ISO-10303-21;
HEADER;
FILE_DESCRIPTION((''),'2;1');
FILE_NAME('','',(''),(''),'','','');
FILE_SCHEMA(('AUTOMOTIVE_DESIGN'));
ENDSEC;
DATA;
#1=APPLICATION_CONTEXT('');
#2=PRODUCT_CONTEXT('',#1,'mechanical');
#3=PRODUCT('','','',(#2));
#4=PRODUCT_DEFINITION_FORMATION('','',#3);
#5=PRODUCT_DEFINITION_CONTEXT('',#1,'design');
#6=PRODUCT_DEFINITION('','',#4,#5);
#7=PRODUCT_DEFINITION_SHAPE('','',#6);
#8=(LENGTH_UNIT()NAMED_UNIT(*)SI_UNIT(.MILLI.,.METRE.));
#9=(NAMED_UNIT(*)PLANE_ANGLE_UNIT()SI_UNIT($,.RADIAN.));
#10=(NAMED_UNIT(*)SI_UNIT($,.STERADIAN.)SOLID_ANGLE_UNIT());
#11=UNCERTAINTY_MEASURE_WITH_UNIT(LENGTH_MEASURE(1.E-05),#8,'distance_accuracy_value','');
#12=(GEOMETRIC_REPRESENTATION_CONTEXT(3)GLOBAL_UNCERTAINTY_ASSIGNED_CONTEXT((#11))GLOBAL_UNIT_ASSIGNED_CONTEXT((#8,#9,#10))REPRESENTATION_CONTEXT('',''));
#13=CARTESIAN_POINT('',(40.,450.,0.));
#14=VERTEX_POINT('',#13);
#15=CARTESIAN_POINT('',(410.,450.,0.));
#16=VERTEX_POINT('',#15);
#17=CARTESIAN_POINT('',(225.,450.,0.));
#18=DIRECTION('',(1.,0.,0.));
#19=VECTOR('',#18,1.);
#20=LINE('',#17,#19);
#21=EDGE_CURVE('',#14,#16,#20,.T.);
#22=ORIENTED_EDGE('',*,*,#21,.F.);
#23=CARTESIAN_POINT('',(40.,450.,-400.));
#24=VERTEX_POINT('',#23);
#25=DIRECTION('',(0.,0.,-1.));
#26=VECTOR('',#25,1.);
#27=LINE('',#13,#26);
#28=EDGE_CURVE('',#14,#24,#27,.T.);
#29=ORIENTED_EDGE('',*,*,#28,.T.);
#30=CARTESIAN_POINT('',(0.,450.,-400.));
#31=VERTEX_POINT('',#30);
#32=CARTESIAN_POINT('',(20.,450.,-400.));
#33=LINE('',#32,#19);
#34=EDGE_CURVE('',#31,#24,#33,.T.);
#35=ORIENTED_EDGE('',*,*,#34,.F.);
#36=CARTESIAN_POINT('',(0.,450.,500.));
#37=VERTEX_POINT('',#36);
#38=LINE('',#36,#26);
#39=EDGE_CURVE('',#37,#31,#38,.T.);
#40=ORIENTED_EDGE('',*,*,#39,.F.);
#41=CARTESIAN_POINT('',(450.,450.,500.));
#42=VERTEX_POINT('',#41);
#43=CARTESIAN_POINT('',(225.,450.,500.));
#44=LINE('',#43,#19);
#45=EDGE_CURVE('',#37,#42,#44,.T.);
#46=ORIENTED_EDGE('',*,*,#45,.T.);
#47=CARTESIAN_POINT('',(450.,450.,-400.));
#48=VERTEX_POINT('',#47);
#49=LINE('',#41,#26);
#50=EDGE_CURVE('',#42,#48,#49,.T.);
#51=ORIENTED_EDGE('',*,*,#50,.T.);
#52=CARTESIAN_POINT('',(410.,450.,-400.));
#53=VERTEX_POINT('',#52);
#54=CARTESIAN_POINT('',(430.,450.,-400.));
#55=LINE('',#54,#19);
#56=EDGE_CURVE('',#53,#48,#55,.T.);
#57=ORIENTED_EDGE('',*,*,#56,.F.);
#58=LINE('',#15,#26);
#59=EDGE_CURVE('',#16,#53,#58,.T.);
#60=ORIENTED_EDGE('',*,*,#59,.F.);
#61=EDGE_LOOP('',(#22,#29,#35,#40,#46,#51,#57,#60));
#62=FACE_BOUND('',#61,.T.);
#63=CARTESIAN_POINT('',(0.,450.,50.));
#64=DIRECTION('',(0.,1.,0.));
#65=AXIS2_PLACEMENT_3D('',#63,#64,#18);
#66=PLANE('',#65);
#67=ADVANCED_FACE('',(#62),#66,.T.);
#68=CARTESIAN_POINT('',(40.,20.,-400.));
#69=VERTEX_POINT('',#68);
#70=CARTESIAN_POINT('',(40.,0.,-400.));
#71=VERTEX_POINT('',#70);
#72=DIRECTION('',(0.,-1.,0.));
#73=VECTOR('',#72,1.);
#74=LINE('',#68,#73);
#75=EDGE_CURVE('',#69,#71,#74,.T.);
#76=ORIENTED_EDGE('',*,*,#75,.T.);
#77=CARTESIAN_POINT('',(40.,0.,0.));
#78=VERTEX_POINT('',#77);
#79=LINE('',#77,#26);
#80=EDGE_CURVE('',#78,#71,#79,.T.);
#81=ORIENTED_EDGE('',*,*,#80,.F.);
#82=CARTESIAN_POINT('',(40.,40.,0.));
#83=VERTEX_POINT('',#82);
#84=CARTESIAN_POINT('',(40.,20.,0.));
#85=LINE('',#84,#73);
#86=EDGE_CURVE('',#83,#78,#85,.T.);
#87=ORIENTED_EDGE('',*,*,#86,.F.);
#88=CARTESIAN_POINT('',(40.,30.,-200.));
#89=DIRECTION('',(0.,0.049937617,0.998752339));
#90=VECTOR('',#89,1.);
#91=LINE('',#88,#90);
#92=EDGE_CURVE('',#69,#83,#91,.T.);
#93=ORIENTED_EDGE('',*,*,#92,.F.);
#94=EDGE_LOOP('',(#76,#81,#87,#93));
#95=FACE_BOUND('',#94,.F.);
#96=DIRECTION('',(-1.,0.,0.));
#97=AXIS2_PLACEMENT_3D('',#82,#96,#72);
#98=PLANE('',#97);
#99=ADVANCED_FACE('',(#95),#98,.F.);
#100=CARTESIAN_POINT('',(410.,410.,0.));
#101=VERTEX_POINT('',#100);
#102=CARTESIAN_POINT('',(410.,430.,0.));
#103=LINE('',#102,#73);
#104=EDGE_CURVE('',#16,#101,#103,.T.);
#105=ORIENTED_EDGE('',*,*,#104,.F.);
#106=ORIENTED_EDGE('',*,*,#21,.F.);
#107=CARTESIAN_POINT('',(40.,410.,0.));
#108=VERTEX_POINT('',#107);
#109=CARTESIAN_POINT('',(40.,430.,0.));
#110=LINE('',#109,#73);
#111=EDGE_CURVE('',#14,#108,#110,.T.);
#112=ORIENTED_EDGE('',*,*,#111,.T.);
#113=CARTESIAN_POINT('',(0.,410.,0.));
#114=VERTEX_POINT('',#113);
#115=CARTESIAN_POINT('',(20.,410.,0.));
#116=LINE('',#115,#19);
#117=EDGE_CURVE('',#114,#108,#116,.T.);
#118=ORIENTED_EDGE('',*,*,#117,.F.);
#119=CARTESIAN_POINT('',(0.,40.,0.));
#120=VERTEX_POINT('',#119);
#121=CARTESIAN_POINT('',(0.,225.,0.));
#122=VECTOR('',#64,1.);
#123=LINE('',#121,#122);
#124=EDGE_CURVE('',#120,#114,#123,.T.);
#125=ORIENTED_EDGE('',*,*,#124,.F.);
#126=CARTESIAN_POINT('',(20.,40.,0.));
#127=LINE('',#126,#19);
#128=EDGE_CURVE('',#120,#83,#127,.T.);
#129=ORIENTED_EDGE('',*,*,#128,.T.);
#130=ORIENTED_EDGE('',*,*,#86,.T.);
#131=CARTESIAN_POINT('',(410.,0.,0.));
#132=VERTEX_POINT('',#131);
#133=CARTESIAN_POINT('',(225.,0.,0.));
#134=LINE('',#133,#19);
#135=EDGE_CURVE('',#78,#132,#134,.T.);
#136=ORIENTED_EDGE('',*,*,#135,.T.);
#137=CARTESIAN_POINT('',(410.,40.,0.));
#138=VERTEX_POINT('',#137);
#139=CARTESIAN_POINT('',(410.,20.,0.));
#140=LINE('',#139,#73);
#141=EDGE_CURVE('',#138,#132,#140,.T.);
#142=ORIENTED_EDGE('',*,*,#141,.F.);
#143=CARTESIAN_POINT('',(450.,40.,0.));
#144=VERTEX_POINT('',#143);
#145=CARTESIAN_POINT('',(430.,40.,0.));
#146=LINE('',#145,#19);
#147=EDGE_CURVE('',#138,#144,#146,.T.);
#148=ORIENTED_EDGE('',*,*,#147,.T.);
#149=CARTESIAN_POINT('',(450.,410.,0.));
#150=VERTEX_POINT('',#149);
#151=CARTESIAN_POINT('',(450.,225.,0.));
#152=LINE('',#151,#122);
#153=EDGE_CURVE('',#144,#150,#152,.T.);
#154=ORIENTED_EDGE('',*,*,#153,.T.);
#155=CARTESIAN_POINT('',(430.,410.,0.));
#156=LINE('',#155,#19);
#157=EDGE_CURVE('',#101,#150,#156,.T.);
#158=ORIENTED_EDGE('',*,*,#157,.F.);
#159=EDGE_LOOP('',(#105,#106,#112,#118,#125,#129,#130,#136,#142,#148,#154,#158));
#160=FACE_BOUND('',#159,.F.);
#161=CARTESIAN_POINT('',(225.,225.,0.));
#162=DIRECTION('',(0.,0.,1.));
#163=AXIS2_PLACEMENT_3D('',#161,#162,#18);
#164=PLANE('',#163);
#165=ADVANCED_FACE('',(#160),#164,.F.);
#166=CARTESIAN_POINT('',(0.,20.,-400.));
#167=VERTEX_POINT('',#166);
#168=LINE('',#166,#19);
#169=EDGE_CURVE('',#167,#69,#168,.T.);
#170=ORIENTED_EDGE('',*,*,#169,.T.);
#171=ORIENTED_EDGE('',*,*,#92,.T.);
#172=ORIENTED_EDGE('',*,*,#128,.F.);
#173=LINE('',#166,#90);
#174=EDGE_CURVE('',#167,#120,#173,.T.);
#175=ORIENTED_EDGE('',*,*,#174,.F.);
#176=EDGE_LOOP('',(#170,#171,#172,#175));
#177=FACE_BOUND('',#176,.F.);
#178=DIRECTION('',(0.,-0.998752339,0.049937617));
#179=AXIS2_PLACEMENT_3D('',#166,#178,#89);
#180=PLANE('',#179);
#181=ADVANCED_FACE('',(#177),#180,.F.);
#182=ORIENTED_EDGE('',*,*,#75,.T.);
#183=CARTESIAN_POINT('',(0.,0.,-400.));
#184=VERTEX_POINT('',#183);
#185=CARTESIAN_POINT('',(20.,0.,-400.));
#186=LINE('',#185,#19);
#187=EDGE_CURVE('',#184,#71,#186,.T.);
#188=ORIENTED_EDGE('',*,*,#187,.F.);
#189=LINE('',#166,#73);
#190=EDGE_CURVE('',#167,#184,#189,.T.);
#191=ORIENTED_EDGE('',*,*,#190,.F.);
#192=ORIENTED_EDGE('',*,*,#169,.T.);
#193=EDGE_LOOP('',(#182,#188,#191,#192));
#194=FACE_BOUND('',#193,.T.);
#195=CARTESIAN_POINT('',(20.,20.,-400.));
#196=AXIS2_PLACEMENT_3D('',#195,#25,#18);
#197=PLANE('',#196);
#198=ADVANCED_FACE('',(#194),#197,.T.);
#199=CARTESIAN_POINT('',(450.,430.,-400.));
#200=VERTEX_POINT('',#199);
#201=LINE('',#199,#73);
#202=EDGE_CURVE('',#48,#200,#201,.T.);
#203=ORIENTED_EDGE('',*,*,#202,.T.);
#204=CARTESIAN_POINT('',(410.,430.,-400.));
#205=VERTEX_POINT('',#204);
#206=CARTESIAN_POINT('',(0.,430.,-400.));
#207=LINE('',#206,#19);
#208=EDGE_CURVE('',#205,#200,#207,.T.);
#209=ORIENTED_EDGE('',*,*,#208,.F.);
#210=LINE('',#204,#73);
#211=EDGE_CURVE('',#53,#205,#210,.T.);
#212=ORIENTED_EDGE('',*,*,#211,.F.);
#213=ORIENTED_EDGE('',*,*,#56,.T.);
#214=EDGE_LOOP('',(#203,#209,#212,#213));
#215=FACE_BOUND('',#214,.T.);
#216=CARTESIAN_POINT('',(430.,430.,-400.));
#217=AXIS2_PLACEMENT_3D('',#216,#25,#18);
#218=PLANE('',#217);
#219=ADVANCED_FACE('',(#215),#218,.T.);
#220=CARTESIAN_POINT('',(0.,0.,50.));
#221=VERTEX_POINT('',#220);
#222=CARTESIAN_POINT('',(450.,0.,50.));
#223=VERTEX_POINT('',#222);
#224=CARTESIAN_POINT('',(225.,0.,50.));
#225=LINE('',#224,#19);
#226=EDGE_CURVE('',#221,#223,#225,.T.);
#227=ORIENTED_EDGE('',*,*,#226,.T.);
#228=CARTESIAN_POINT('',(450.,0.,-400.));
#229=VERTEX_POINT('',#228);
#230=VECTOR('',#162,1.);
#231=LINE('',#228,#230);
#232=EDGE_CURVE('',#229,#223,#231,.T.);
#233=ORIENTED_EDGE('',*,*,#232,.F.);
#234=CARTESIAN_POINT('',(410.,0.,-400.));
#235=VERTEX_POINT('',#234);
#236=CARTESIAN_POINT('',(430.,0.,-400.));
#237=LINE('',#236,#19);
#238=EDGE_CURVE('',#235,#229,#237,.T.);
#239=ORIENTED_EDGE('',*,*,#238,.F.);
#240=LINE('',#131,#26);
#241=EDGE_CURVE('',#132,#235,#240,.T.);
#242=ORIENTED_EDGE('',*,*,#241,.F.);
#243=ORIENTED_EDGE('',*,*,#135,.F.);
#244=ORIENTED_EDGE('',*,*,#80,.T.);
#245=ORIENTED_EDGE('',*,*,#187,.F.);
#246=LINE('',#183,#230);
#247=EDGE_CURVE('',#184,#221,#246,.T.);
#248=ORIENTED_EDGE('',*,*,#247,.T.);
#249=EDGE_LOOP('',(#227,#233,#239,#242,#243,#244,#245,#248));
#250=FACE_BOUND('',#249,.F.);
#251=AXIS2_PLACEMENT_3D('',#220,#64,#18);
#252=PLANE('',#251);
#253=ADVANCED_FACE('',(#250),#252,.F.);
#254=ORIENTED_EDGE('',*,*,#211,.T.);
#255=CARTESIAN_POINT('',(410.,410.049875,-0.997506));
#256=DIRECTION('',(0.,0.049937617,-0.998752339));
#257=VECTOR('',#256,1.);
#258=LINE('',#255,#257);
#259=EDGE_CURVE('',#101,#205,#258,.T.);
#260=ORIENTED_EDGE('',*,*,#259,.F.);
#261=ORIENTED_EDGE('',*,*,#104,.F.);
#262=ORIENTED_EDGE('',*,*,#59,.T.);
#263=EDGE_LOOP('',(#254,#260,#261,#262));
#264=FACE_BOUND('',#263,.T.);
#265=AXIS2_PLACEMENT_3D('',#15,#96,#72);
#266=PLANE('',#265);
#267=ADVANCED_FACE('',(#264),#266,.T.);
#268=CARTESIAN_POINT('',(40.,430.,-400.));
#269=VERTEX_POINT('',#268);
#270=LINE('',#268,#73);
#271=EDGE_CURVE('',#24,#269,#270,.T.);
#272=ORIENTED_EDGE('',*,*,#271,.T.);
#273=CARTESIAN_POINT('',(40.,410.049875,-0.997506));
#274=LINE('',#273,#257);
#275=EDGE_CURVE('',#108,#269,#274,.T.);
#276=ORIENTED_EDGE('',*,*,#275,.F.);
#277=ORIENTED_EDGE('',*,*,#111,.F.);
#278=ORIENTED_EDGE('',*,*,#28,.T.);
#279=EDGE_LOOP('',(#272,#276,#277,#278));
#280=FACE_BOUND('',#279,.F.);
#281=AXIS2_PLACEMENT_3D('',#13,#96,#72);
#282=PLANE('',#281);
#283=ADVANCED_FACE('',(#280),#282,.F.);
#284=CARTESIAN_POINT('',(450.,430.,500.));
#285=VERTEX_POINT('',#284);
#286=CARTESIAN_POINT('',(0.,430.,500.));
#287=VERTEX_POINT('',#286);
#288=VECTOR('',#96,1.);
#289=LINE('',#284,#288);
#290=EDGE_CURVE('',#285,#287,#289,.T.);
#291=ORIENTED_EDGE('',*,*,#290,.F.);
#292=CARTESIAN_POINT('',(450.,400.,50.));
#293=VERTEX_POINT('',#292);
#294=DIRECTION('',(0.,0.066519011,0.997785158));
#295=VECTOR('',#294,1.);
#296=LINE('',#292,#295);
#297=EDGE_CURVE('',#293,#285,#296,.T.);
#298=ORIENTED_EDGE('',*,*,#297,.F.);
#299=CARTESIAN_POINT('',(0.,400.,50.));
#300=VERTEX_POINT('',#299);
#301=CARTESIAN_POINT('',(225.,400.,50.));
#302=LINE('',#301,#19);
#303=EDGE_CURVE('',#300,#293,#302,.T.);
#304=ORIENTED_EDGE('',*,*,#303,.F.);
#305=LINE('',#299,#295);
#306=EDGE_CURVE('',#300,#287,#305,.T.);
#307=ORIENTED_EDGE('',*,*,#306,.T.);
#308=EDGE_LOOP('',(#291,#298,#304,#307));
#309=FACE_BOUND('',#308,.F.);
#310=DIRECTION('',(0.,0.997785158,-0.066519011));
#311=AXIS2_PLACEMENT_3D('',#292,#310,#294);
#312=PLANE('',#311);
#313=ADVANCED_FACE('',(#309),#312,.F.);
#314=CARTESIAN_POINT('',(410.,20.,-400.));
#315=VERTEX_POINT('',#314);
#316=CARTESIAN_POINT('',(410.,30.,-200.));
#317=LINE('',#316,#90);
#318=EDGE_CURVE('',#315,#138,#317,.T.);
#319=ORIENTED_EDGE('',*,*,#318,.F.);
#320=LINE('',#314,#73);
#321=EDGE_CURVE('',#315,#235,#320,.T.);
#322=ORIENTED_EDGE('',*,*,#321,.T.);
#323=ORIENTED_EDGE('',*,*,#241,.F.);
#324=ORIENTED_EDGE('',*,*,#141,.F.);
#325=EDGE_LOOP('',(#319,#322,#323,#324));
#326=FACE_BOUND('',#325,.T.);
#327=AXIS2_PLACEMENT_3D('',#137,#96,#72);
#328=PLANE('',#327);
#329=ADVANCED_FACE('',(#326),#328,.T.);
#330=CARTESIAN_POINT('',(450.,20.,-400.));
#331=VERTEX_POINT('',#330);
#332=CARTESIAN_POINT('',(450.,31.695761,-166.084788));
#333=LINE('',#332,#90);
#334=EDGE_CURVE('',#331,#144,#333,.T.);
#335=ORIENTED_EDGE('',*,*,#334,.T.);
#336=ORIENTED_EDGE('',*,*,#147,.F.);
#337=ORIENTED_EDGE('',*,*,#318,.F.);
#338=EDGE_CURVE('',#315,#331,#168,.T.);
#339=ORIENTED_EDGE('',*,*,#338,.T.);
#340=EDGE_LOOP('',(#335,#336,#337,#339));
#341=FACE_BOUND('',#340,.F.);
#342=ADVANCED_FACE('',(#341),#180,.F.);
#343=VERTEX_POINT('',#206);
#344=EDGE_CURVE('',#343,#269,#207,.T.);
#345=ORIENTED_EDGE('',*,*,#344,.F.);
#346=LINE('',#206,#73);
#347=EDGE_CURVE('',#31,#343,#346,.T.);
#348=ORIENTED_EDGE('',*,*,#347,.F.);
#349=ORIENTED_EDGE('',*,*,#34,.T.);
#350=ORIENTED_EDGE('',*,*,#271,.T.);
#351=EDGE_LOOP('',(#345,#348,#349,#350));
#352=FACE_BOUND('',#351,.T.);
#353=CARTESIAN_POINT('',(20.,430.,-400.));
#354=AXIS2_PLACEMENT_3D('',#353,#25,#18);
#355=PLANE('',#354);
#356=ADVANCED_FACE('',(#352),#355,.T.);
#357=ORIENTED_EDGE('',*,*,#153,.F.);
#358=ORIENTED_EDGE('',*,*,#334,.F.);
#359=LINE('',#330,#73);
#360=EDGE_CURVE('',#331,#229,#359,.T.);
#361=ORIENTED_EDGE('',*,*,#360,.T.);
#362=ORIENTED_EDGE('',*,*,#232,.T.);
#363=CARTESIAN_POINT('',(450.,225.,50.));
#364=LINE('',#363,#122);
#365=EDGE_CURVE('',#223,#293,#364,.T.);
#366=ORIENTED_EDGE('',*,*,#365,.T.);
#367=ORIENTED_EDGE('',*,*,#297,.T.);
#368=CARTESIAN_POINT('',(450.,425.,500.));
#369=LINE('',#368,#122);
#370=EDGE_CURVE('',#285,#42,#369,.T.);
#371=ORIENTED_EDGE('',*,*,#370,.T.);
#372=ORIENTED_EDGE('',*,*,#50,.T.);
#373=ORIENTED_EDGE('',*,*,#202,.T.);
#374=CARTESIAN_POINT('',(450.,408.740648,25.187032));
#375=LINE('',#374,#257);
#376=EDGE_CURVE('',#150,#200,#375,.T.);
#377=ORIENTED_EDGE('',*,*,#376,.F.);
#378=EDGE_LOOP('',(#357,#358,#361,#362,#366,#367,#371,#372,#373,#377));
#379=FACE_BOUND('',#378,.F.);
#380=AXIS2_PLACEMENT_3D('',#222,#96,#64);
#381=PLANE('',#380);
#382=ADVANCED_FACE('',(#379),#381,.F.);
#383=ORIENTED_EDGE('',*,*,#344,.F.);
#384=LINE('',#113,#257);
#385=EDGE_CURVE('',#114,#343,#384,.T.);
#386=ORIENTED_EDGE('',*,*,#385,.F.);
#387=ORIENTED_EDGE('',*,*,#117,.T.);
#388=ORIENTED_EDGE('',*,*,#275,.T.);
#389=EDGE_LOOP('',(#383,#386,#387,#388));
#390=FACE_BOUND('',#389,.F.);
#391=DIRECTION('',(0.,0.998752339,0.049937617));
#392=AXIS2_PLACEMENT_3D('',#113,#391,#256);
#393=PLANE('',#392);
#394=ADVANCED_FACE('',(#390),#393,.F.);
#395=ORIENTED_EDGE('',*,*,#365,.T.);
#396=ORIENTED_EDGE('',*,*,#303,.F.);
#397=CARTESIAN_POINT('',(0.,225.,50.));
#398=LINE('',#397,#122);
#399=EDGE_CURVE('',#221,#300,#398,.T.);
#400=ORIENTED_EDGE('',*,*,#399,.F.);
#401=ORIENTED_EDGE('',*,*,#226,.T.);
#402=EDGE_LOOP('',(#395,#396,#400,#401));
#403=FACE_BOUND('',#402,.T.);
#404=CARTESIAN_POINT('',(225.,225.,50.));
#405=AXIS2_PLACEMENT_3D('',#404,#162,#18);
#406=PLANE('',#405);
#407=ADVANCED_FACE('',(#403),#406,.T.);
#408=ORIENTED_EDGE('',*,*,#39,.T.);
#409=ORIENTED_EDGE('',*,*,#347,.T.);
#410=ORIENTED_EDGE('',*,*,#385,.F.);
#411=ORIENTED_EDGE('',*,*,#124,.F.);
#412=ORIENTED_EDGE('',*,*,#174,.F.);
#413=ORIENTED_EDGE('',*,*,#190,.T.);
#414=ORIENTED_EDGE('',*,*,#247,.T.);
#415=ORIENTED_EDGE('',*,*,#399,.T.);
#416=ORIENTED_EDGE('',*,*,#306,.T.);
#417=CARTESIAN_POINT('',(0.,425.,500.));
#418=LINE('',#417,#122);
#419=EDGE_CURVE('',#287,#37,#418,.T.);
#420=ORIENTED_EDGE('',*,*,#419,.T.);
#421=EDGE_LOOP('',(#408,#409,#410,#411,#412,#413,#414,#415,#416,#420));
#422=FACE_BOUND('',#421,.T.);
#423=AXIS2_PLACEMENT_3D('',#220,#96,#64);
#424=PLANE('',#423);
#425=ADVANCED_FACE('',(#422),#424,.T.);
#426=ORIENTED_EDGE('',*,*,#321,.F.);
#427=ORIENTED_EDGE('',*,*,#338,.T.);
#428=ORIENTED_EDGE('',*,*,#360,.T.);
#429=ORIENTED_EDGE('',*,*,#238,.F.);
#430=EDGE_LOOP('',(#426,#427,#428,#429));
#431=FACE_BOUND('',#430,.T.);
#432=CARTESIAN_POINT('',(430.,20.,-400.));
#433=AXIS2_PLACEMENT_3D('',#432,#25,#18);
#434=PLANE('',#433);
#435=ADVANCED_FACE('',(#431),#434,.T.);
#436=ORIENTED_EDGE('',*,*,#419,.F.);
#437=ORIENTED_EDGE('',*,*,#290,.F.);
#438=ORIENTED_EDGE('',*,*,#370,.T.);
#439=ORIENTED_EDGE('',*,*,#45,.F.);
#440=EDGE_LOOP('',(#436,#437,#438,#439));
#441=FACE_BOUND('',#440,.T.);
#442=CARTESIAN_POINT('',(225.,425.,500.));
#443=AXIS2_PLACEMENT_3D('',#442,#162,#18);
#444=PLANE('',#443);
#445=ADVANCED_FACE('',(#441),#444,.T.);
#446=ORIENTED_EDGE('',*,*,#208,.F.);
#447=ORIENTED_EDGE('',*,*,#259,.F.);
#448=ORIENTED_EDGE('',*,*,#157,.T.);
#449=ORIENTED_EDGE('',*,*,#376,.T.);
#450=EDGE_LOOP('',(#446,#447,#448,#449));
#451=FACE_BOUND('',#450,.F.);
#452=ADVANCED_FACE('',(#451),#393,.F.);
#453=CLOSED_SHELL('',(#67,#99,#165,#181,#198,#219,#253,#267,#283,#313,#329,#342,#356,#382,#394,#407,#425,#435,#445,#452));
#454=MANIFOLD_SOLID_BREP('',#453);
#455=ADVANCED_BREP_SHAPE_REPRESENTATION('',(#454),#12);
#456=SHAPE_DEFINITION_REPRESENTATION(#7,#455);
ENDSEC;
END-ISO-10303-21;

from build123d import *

# Parameters (mm, degrees)
F0_W      = 450
F0_H      = 450
F1_DEPTH  = 50
F2_W      = 40
F2_H      = 40
F3_DEPTH  = 400
F4_W      = 40
F4_H      = 40
F5_DEPTH  = 400
F6_W      = 40
F6_H      = 40
F7_DEPTH  = 400
F8_W      = 40
F8_H      = 40
F9_DEPTH  = 400
F10_W     = 450
F10_H     = 50
F11_DEPTH = 450
F13_DEPTH = 450
F15_DEPTH = 450.001
F17_DEPTH = 450.001
F18_DEPTH = 100
F19_DEPTH = 100
F20_DEPTH = 200
F21_DEPTH = 200


with BuildPart() as f1:
    # F0 (on Top) → F1 (new body)
    with BuildSketch(Plane.XY):
        with Locations((225, 225)):
            Rectangle(F0_W, F0_H)
    extrude(amount=F1_DEPTH)

    # F2 (on face) → F3 (join)
    with BuildSketch(Plane(origin=(0, 0, 0), x_dir=(1, 0, 0), z_dir=(0, 0, -1))):
        with Locations((20, -430)):
            Rectangle(F2_W, F2_H)
    extrude(amount=F3_DEPTH)

    # F4 (on face) → F5 (join)
    with BuildSketch(Plane(origin=(0, 0, 0), x_dir=(1, 0, 0), z_dir=(0, 0, -1))):
        with Locations((20, -20)):
            Rectangle(F4_W, F4_H)
    extrude(amount=F5_DEPTH)

    # F6 (on face) → F7 (join)
    with BuildSketch(Plane(origin=(0, 0, 0), x_dir=(1, 0, 0), z_dir=(0, 0, -1))):
        with Locations((430, -430)):
            Rectangle(F6_W, F6_H)
    extrude(amount=F7_DEPTH)

    # F8 (on face) → F9 (join)
    with BuildSketch(Plane(origin=(0, 0, 0), x_dir=(1, 0, 0), z_dir=(0, 0, -1))):
        with Locations((430, -20)):
            Rectangle(F8_W, F8_H)
    extrude(amount=F9_DEPTH)

    # F10 (on face) → F11 (join)
    with BuildSketch(Plane.XY.offset(50)):
        with Locations((225, 425)):
            Rectangle(F10_W, F10_H)
    extrude(amount=F11_DEPTH)

    # F12 (on face) → F13 (cut)
    with BuildSketch(Plane.YZ.offset(450)):
        Polygon((400, 500), (400, 50), (430, 500), align=None)
    extrude(amount=-F13_DEPTH, mode=Mode.SUBTRACT)

    # F14 (on face) → F15 (cut, through all)
    with BuildSketch(Plane(origin=(0, 0, 0), x_dir=(0, -1, 0), z_dir=(-1, 0, 0))):
        Polygon((-410, -400), (-410, 0), (-430, -400), align=None)
    extrude(amount=-F15_DEPTH, mode=Mode.SUBTRACT)

    # F16 (on face) → F17 (cut, through all)
    with BuildSketch(Plane(origin=(0, 0, 0), x_dir=(0, -1, 0), z_dir=(-1, 0, 0))):
        Polygon((-20, -400), (-40, 0), (-40, -400), align=None)
    extrude(amount=-F17_DEPTH, mode=Mode.SUBTRACT)

    # F18 (add): a face of the model
    f18_faces = [f1.faces().sort_by_distance(p)[0] for p in [
        (225, 200, 50),
    ]]
    extrude(f18_faces, amount=F18_DEPTH)

    # F19 (cut): a face of the model
    f19_faces = [f1.faces().sort_by_distance(p)[0] for p in [
        (225, 200, 150),
    ]]
    extrude(f19_faces, amount=-F19_DEPTH, mode=Mode.SUBTRACT)

    # F20 (add): a face of the model
    f20_faces = [f1.faces().sort_by_distance(p)[0] for p in [
        (225, 200, 50),
    ]]
    extrude(f20_faces, amount=F20_DEPTH)

    # F21 (cut): a face of the model
    f21_faces = [f1.faces().sort_by_distance(p)[0] for p in [
        (225, 200, 250),
    ]]
    extrude(f21_faces, amount=-F21_DEPTH, mode=Mode.SUBTRACT)


solid = f1.part
